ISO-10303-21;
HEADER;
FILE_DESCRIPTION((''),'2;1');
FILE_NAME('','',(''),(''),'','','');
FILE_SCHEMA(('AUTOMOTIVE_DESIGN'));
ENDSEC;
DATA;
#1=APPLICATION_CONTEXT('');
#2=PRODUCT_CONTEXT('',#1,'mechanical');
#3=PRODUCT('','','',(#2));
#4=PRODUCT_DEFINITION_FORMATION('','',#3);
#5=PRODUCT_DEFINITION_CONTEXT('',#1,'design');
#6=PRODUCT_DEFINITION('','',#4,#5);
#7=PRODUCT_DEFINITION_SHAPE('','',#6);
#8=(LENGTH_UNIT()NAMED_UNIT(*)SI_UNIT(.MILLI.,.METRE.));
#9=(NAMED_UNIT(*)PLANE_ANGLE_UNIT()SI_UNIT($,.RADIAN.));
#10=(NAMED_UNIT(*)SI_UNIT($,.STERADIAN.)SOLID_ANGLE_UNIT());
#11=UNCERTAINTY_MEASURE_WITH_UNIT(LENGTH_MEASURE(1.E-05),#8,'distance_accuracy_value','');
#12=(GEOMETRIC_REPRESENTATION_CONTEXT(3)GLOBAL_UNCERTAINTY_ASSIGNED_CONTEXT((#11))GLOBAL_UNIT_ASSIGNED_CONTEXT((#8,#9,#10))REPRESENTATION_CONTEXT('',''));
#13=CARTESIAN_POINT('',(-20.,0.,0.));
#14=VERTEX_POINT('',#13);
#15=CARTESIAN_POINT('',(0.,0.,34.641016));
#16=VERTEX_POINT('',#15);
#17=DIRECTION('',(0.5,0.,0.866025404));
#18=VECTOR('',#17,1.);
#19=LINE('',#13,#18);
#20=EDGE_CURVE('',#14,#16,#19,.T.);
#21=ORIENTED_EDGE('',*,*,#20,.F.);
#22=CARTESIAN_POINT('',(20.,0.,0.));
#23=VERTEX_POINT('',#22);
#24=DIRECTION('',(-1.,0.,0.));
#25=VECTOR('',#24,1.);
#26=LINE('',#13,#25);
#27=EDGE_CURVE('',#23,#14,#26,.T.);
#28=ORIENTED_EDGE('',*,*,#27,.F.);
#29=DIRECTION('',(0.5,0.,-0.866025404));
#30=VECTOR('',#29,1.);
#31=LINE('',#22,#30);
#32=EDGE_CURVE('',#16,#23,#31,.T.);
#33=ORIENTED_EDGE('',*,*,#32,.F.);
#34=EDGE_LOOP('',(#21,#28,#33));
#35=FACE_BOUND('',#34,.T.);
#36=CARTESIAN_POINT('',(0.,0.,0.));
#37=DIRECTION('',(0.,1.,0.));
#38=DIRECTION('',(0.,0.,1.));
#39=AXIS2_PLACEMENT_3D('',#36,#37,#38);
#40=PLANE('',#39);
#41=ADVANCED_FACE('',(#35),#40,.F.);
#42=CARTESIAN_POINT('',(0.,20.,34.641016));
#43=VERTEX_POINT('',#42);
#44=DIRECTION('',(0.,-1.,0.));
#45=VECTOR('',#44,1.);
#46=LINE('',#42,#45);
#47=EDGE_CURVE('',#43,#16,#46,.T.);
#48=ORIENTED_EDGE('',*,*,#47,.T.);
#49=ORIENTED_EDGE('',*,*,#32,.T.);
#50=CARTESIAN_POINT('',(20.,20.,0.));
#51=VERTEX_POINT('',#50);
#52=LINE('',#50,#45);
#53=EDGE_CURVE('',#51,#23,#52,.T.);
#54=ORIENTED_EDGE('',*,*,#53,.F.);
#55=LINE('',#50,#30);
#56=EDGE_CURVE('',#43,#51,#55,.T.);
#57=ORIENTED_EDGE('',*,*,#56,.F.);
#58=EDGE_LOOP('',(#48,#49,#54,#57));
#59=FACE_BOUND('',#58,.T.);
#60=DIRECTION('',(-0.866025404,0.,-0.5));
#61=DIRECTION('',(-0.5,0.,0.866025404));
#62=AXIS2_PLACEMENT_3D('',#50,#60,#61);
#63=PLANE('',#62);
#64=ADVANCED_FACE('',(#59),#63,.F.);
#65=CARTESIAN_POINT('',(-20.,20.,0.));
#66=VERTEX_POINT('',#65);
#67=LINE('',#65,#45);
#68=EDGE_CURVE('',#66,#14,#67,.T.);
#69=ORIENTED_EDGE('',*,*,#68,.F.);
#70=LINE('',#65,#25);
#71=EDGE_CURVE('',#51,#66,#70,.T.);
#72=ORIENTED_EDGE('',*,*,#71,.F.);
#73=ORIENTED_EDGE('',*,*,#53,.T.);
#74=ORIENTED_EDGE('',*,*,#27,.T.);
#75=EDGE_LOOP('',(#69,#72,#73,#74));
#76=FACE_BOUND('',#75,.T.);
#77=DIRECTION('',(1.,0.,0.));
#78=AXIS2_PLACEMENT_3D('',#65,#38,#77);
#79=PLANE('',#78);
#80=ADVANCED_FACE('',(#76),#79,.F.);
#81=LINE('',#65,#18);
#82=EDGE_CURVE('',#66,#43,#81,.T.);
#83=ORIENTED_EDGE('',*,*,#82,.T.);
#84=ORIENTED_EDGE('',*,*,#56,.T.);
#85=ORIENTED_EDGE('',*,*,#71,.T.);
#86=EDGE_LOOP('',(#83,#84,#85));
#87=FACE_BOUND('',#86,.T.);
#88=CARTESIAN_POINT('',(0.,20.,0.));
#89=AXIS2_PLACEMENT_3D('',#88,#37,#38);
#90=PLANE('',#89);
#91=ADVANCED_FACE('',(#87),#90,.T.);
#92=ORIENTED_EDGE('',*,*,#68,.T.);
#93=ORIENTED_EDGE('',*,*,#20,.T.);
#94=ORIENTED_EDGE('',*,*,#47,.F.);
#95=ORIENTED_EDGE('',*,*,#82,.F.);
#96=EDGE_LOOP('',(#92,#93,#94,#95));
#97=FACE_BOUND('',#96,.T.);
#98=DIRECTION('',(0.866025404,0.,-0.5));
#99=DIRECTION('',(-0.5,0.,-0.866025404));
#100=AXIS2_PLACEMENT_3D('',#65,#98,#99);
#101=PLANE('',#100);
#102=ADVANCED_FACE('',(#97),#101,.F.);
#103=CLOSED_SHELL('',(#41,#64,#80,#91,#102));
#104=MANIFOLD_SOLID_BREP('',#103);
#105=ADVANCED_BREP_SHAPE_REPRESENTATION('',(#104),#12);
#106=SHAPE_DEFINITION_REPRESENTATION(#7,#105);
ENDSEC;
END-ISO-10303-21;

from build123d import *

# Parameters (mm, degrees)
BOSS_EXTRUDE1_DEPTH = 20


with BuildPart() as part:
    # Sketch1 → Boss-Extrude1 (new body)
    with BuildSketch(Plane(origin=(0, 0, 0), x_dir=(1, 0, 0), z_dir=(0, 1, 0))):
        Polygon((-20, 0), (20, 0), (0, -34.641016151), align=None)
    extrude(amount=BOSS_EXTRUDE1_DEPTH)


solid = part.part
